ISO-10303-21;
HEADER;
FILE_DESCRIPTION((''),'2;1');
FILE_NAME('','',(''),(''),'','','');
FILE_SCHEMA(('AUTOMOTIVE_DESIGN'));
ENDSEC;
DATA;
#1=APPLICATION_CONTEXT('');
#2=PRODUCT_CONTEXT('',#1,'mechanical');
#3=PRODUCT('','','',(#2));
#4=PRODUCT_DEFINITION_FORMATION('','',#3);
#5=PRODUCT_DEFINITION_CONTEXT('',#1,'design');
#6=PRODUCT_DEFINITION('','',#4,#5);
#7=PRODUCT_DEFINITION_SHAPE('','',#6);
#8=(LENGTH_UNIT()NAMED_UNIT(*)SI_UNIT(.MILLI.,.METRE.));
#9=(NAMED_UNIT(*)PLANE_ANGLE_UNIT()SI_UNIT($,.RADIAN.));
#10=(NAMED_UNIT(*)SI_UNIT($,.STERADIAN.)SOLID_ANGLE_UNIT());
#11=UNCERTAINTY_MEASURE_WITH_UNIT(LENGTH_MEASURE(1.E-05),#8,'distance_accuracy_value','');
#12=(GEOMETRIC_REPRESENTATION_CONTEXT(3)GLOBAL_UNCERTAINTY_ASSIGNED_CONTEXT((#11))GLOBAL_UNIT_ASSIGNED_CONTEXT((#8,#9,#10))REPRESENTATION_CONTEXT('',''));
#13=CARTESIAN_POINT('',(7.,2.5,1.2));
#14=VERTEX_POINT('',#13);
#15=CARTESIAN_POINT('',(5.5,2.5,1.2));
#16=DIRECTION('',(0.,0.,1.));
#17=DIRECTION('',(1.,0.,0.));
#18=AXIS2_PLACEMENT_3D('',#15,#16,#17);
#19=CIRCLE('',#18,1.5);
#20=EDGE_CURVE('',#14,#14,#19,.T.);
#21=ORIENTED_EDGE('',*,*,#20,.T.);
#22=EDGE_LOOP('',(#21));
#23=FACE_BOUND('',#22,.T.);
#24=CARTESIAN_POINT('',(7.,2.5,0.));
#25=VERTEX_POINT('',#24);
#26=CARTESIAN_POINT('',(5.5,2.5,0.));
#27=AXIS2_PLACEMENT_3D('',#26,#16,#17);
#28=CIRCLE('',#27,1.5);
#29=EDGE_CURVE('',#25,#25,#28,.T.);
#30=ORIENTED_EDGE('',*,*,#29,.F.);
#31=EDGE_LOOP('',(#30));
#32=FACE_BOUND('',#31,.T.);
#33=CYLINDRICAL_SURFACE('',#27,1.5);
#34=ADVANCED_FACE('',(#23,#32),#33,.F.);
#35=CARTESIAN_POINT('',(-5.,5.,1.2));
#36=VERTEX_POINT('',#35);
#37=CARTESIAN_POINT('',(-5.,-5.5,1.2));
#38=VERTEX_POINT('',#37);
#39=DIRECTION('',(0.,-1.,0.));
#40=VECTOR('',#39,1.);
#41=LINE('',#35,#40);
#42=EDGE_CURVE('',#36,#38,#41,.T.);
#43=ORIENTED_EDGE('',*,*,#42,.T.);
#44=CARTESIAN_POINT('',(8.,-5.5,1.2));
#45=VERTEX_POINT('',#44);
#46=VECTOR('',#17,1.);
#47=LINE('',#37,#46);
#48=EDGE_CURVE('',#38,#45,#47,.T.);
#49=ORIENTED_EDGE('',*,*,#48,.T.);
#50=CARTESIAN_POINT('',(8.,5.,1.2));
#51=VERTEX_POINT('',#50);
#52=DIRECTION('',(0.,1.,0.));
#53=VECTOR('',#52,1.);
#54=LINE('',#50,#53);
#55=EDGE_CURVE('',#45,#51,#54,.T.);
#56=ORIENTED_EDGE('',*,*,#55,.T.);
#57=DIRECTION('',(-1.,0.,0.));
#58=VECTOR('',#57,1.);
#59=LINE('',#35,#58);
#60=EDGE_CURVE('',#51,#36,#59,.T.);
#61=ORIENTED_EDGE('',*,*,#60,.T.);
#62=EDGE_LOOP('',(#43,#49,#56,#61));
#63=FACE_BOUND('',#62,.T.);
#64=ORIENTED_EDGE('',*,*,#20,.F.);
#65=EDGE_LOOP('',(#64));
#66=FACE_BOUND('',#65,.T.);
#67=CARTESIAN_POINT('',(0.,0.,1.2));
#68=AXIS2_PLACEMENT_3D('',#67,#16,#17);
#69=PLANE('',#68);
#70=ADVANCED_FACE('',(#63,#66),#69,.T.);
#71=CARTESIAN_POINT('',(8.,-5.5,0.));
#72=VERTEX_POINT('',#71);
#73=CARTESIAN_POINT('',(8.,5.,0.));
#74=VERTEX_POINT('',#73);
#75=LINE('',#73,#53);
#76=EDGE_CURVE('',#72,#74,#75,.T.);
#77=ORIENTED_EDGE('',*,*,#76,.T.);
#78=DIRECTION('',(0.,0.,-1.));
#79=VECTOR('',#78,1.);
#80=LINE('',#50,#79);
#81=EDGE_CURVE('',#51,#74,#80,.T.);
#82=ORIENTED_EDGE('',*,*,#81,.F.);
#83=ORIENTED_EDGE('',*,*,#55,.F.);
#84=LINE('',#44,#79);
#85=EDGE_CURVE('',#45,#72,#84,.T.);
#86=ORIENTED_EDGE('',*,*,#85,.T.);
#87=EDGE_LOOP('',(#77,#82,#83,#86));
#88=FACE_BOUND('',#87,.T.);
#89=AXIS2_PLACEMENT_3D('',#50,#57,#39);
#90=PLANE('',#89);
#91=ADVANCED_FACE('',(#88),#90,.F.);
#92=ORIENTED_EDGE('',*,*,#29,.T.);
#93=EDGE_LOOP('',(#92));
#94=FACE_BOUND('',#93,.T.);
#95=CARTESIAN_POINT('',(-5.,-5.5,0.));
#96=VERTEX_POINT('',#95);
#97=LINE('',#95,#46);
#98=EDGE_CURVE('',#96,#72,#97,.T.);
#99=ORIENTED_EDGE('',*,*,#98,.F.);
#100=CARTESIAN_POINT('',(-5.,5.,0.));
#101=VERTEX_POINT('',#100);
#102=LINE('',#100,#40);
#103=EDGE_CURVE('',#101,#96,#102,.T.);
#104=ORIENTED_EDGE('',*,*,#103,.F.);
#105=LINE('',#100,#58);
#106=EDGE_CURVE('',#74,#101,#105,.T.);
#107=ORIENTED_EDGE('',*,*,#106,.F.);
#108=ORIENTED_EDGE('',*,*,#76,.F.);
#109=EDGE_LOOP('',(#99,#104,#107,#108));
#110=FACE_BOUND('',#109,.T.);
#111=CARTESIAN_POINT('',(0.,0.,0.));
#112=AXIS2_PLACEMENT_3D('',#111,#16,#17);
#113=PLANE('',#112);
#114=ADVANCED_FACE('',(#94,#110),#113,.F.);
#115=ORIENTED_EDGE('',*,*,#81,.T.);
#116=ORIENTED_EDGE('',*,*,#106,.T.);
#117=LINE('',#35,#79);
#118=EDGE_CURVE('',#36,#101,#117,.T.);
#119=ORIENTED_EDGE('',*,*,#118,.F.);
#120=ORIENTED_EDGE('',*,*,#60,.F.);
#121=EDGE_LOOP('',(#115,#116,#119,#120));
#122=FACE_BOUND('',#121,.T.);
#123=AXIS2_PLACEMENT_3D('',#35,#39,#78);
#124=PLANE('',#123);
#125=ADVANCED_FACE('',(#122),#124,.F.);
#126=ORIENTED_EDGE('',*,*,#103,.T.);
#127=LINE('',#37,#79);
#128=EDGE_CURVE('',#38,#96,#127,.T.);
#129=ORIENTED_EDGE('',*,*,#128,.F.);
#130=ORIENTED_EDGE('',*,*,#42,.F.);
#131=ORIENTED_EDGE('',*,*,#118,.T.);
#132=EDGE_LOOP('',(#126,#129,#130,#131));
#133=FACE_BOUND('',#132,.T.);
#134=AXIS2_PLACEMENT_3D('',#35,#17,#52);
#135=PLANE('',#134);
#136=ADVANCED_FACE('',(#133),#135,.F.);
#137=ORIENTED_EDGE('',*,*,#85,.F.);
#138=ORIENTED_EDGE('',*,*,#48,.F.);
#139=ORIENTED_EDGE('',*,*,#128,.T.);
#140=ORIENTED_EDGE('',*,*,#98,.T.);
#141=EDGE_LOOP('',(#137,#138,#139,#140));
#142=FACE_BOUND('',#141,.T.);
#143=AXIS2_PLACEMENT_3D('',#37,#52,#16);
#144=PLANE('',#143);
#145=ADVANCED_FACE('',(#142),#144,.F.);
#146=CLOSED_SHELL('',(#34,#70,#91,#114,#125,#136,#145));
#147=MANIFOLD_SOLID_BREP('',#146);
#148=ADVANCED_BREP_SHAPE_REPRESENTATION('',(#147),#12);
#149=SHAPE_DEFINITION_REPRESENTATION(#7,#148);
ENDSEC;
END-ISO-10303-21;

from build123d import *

# Parameters (mm, degrees)
SKIZZE1_W                       = 13
SKIZZE1_H                       = 10.5
AUFSATZ_LINEAR_AUSTRAGEN1_DEPTH = 1.2
SKIZZE2_R                       = 1.5
SCHNITT_LINEAR_AUSTRAGEN1_DEPTH = 1.2


with BuildPart() as part:
    # Skizze1 → Aufsatz-Linear austragen1 (new body)
    with BuildSketch(Plane.XY):
        with Locations((1.5, -0.25)):
            Rectangle(SKIZZE1_W, SKIZZE1_H)
    extrude(amount=AUFSATZ_LINEAR_AUSTRAGEN1_DEPTH)

    # Skizze2 → Schnitt-Linear austragen1 (cut)
    with BuildSketch(Plane.XY.offset(1.2)):
        with Locations((5.5, 2.5)):
            Circle(SKIZZE2_R)
    extrude(amount=-SCHNITT_LINEAR_AUSTRAGEN1_DEPTH, mode=Mode.SUBTRACT)


solid = part.part
